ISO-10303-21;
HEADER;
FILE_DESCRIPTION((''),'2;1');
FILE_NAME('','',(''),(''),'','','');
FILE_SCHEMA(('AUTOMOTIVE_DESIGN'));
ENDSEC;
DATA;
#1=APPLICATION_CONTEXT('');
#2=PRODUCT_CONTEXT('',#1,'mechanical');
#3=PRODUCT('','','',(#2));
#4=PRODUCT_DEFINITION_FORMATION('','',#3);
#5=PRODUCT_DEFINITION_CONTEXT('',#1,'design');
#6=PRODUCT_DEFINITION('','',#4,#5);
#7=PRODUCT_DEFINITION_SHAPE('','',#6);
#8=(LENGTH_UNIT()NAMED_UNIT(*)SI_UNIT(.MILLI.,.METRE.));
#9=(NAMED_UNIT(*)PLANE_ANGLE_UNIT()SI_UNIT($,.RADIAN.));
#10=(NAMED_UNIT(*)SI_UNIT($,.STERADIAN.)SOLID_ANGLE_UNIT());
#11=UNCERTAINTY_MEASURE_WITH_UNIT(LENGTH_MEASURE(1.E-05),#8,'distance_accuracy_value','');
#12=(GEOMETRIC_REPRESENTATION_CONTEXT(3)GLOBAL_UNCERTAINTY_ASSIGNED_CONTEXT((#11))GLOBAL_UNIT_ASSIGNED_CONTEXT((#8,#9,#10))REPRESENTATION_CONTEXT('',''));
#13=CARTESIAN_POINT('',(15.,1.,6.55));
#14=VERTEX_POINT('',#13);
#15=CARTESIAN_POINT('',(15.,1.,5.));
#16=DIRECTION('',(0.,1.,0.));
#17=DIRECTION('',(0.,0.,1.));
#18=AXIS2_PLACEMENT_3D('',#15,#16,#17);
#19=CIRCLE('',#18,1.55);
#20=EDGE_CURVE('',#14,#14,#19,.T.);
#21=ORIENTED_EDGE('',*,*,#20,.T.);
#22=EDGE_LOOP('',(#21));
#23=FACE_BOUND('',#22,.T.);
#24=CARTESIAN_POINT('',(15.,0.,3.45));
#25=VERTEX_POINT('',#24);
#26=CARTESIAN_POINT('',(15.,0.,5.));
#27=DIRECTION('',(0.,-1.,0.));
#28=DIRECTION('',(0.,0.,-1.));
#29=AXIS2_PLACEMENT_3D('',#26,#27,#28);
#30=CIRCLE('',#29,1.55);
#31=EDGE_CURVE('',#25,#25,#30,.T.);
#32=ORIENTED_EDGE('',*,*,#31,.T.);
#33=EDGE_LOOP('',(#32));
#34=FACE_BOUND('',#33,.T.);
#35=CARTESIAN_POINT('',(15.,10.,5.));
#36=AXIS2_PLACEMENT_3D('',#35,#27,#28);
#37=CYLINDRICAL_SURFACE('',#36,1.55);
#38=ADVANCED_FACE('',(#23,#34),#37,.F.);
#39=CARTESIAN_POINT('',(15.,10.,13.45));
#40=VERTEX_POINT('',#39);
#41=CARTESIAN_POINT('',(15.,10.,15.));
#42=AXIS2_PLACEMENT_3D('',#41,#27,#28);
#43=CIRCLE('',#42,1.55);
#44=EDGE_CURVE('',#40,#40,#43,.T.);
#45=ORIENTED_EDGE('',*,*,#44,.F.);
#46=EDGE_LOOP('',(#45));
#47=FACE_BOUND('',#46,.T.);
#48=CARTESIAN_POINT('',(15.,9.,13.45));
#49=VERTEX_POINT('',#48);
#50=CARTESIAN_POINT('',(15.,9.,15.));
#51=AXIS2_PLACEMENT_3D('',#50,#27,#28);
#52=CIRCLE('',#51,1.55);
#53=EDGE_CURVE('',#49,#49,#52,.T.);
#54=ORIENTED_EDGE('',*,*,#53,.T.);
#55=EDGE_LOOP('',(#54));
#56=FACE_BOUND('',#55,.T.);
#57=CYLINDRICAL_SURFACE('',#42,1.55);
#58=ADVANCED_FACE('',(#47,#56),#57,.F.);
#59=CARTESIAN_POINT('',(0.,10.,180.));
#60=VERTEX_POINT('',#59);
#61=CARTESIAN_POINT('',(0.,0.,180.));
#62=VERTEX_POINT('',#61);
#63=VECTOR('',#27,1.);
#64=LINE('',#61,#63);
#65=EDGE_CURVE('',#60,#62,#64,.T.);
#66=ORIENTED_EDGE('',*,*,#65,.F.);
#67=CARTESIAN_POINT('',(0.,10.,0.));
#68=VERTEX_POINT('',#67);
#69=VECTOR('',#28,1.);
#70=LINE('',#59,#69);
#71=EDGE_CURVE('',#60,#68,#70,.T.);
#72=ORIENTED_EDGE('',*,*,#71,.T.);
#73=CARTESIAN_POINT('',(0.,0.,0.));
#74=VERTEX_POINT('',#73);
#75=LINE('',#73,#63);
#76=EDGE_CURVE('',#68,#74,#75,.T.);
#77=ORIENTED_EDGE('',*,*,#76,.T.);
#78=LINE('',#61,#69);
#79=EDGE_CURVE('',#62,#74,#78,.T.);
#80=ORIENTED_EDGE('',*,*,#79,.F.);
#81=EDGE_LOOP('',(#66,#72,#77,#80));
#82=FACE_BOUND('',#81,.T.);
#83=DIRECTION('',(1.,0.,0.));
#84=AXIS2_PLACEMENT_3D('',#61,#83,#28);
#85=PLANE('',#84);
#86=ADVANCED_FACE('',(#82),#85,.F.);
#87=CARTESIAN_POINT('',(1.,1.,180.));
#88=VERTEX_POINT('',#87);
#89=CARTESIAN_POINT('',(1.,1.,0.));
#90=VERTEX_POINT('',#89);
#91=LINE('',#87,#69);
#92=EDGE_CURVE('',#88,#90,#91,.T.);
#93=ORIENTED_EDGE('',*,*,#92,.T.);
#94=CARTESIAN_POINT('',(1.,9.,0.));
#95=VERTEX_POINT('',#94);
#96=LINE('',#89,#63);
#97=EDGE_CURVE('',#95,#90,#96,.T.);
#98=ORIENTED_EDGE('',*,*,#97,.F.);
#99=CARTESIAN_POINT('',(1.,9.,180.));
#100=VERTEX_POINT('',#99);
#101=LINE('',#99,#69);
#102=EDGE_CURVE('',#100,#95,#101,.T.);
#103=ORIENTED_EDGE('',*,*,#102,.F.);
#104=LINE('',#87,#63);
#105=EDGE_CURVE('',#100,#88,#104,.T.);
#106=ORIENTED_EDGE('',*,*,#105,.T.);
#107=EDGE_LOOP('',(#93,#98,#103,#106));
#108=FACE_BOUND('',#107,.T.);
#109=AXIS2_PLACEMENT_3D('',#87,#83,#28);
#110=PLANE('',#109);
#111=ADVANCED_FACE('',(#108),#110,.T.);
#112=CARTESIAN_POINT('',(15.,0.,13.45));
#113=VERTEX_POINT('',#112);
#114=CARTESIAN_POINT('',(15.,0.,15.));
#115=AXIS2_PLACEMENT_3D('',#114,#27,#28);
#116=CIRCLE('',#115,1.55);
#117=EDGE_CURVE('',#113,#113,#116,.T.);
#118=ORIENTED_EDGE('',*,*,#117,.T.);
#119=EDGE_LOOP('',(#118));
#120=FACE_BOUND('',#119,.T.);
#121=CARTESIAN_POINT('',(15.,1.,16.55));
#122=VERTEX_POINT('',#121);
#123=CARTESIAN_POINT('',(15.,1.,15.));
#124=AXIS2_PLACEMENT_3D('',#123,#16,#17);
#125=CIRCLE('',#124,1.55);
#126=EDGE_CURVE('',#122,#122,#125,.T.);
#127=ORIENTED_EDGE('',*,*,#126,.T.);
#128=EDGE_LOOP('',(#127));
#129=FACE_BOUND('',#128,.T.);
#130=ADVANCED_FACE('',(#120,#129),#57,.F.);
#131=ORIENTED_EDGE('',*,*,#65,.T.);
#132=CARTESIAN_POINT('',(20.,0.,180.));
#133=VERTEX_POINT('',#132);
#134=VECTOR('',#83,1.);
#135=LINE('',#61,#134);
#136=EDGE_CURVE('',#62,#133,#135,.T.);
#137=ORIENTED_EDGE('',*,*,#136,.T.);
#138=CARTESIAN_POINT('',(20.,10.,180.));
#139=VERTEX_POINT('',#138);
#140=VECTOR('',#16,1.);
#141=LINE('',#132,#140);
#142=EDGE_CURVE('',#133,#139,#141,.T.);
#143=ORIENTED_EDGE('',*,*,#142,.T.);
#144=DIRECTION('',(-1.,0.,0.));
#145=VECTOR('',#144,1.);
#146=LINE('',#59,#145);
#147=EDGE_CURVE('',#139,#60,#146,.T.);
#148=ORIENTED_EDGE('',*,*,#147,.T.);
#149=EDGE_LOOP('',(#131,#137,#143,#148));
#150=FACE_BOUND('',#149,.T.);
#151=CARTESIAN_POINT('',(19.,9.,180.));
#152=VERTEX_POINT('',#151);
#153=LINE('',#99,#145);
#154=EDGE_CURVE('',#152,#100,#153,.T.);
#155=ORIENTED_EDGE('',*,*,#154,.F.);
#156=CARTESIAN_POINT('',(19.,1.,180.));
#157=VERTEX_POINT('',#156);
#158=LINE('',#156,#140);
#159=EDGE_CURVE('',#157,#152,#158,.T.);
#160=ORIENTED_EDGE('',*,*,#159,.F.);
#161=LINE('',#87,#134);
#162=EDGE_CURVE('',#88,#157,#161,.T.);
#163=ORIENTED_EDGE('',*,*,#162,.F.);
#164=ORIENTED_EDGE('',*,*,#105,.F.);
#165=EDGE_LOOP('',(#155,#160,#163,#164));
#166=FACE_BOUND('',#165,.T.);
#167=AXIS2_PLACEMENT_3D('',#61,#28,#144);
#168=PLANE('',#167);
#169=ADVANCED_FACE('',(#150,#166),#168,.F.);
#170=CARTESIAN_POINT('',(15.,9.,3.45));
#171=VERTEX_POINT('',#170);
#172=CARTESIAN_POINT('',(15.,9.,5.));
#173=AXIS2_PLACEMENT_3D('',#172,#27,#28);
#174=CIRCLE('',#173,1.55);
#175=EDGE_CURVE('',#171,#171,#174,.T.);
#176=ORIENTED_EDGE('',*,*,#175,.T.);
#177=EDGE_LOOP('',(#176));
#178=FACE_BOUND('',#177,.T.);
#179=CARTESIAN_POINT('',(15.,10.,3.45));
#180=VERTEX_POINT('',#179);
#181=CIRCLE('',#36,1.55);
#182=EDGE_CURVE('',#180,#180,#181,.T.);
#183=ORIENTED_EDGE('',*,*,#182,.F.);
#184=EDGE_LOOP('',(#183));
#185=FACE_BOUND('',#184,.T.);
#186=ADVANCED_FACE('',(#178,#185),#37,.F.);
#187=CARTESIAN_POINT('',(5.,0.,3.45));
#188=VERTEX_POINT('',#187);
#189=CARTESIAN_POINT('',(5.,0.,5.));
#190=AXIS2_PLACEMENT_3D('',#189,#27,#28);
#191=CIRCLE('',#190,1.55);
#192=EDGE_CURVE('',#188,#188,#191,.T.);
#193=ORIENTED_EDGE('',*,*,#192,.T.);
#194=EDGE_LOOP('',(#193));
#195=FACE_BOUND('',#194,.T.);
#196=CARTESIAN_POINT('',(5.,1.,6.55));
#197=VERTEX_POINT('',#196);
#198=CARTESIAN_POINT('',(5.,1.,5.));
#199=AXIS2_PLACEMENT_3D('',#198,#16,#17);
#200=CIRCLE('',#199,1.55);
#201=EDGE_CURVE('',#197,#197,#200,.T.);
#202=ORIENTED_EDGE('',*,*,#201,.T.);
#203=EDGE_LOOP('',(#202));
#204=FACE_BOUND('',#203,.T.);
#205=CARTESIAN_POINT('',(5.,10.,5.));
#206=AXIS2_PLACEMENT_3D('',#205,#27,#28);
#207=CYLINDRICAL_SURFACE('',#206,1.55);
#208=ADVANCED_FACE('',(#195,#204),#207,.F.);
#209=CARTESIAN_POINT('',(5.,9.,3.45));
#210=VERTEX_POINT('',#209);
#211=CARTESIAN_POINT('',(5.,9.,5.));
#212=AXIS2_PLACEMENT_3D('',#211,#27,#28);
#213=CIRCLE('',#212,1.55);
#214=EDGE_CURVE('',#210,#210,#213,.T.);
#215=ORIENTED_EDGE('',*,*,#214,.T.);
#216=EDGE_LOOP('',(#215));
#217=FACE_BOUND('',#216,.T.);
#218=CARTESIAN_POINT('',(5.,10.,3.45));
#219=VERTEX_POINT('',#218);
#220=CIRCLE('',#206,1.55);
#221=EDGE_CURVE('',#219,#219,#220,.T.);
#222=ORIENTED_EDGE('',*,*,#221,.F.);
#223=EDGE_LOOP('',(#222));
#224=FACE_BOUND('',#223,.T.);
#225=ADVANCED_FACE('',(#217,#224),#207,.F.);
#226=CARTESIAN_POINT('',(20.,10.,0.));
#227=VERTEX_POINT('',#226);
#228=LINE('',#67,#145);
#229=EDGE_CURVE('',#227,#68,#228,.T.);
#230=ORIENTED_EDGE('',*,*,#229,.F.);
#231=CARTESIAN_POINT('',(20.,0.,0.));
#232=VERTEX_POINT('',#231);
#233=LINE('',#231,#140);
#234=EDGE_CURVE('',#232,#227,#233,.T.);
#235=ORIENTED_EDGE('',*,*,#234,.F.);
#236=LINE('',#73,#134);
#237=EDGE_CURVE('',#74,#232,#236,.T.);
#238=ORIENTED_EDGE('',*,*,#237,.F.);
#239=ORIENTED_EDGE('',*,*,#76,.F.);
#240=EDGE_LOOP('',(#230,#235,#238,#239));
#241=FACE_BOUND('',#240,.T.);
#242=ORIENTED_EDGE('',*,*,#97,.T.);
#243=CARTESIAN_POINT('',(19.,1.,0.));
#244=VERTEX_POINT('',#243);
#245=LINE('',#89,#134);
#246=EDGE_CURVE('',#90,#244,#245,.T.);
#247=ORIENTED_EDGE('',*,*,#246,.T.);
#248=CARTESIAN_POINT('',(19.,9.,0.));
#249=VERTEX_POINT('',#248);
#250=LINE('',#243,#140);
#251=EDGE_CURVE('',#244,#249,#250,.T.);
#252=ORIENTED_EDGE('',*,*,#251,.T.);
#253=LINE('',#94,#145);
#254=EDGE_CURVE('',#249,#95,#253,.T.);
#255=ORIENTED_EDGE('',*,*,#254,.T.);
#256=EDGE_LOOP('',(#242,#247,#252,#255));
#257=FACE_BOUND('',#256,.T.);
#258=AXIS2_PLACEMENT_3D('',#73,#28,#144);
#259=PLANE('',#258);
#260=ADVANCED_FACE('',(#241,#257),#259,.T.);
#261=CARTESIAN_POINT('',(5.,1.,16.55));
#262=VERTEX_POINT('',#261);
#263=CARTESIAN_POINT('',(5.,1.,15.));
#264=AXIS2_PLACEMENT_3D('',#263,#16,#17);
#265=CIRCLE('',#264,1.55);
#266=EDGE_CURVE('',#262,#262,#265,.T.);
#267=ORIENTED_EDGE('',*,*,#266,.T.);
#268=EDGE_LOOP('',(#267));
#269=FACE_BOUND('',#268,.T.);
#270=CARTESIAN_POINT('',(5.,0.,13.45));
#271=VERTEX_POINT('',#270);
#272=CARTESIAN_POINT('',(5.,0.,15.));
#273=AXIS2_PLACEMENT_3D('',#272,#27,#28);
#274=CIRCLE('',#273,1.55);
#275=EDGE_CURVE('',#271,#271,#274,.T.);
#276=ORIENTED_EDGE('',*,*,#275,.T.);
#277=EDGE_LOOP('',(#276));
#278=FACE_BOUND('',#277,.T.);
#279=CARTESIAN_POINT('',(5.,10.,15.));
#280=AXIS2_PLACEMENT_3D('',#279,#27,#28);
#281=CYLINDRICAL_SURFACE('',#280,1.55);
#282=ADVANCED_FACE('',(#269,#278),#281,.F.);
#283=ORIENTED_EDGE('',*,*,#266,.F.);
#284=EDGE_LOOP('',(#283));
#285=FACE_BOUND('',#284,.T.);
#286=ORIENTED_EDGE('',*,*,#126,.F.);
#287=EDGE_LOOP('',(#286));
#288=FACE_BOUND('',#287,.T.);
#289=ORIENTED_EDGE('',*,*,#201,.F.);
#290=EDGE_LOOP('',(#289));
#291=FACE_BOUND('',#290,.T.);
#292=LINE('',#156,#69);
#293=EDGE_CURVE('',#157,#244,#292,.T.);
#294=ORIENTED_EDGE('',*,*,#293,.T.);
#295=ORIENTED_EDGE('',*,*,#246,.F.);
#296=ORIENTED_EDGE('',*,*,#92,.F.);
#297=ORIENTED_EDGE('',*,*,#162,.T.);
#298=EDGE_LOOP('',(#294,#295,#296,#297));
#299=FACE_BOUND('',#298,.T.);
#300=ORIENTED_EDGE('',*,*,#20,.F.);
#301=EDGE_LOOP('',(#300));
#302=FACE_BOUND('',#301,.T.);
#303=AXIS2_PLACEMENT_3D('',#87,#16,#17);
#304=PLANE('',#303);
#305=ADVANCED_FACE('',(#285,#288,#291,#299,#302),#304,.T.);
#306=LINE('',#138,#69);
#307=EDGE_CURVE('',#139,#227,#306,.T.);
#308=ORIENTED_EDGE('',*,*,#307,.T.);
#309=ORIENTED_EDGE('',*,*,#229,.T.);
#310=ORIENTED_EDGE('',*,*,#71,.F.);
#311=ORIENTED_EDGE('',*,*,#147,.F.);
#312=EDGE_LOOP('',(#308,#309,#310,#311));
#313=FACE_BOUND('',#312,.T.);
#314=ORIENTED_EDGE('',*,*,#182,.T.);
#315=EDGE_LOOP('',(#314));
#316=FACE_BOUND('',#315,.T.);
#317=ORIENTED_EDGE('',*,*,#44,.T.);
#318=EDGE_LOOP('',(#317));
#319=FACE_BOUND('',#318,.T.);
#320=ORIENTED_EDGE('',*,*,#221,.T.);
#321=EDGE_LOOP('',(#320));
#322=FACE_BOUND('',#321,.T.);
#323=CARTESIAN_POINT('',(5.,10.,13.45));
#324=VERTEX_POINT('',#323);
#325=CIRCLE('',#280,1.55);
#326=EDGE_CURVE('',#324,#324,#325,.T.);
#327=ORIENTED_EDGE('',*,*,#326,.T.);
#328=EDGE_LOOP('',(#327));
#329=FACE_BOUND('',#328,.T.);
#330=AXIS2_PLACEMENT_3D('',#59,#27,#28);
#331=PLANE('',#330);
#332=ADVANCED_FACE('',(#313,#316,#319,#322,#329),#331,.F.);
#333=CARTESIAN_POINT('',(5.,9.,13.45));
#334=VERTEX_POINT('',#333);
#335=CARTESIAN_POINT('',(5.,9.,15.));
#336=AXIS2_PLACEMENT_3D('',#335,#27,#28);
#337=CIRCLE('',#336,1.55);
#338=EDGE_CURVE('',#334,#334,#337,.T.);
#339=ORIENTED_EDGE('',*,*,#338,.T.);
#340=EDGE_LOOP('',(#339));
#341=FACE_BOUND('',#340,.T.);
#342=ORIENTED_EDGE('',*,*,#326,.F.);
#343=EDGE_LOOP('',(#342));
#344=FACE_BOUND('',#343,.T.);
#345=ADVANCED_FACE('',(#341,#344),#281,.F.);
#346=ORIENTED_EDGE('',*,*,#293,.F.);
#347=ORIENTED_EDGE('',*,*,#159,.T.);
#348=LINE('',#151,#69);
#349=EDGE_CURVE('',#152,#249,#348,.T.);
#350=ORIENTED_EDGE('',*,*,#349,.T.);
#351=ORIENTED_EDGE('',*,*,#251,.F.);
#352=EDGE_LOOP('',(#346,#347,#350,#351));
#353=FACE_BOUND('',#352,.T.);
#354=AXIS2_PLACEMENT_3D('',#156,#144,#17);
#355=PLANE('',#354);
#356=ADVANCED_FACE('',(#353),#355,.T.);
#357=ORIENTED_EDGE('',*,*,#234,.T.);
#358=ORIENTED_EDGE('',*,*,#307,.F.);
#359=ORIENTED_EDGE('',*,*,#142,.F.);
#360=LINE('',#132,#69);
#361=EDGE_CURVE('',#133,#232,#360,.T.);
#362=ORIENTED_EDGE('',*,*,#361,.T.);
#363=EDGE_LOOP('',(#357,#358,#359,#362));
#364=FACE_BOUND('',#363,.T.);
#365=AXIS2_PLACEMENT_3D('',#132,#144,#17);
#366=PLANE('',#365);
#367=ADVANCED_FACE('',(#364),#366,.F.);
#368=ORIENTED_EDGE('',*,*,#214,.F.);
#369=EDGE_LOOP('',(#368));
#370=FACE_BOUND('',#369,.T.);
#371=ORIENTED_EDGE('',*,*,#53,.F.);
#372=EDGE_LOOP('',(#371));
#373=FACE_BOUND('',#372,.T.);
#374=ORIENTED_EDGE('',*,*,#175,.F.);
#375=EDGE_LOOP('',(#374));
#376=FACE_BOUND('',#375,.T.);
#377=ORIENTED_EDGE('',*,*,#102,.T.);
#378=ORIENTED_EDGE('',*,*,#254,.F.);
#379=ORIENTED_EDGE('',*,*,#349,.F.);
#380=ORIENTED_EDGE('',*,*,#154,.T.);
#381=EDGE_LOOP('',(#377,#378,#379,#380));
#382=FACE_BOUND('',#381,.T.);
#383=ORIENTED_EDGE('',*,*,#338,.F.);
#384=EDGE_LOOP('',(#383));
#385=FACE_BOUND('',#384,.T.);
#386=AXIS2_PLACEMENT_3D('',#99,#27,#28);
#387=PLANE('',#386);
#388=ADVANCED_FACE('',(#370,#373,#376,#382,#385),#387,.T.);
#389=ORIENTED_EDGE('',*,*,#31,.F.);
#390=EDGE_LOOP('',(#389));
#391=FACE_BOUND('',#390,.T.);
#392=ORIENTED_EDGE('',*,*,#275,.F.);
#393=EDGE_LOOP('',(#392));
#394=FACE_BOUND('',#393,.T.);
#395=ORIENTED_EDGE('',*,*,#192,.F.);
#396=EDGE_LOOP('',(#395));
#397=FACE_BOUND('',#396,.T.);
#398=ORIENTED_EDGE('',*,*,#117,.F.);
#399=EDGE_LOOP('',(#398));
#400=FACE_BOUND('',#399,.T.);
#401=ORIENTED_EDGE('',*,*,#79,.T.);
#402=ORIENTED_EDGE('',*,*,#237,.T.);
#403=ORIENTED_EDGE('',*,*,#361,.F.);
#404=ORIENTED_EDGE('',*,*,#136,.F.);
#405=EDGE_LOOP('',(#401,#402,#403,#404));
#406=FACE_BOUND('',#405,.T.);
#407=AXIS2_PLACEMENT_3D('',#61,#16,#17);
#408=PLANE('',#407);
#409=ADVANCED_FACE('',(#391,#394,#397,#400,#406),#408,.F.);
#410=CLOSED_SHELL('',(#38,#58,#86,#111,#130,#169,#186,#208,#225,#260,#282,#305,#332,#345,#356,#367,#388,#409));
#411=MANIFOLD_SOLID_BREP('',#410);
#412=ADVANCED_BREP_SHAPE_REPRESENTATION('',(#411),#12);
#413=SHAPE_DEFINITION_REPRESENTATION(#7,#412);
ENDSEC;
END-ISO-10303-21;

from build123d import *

# Parameters (mm, degrees)
SKETCH_1_W          = 20
SKETCH_1_H          = 10
SKETCH_1_W_2        = 18
SKETCH_1_H_2        = 8
EXTRUDE_1_DEPTH     = 180
SKETCH_2_R          = 1.55
CUT_EXTRUDE_1_DEPTH = 182.383571472


with BuildPart() as part:
    # 草图1 → 凸台-拉伸1 (new body)
    with BuildSketch(Plane.XY):
        with Locations((10, 5)):
            Rectangle(SKETCH_1_W, SKETCH_1_H)
        with Locations((10, 5)):
            Rectangle(SKETCH_1_W_2, SKETCH_1_H_2, mode=Mode.SUBTRACT)
    extrude(amount=EXTRUDE_1_DEPTH)

    # 草图2 → 切除-拉伸1 (cut, through all)
    with BuildSketch(Plane.XZ):
        with Locations(Location((5, 5, 0), (0, 0, 270))):
            Circle(SKETCH_2_R)
        with Locations(Location((15, 5, 0), (0, 0, 270))):
            Circle(SKETCH_2_R)
        with Locations(Location((15, 15, 0), (0, 0, 270))):
            Circle(SKETCH_2_R)
        with Locations(Location((5, 15, 0), (0, 0, 270))):
            Circle(SKETCH_2_R)
    extrude(amount=-CUT_EXTRUDE_1_DEPTH, mode=Mode.SUBTRACT)


solid = part.part
